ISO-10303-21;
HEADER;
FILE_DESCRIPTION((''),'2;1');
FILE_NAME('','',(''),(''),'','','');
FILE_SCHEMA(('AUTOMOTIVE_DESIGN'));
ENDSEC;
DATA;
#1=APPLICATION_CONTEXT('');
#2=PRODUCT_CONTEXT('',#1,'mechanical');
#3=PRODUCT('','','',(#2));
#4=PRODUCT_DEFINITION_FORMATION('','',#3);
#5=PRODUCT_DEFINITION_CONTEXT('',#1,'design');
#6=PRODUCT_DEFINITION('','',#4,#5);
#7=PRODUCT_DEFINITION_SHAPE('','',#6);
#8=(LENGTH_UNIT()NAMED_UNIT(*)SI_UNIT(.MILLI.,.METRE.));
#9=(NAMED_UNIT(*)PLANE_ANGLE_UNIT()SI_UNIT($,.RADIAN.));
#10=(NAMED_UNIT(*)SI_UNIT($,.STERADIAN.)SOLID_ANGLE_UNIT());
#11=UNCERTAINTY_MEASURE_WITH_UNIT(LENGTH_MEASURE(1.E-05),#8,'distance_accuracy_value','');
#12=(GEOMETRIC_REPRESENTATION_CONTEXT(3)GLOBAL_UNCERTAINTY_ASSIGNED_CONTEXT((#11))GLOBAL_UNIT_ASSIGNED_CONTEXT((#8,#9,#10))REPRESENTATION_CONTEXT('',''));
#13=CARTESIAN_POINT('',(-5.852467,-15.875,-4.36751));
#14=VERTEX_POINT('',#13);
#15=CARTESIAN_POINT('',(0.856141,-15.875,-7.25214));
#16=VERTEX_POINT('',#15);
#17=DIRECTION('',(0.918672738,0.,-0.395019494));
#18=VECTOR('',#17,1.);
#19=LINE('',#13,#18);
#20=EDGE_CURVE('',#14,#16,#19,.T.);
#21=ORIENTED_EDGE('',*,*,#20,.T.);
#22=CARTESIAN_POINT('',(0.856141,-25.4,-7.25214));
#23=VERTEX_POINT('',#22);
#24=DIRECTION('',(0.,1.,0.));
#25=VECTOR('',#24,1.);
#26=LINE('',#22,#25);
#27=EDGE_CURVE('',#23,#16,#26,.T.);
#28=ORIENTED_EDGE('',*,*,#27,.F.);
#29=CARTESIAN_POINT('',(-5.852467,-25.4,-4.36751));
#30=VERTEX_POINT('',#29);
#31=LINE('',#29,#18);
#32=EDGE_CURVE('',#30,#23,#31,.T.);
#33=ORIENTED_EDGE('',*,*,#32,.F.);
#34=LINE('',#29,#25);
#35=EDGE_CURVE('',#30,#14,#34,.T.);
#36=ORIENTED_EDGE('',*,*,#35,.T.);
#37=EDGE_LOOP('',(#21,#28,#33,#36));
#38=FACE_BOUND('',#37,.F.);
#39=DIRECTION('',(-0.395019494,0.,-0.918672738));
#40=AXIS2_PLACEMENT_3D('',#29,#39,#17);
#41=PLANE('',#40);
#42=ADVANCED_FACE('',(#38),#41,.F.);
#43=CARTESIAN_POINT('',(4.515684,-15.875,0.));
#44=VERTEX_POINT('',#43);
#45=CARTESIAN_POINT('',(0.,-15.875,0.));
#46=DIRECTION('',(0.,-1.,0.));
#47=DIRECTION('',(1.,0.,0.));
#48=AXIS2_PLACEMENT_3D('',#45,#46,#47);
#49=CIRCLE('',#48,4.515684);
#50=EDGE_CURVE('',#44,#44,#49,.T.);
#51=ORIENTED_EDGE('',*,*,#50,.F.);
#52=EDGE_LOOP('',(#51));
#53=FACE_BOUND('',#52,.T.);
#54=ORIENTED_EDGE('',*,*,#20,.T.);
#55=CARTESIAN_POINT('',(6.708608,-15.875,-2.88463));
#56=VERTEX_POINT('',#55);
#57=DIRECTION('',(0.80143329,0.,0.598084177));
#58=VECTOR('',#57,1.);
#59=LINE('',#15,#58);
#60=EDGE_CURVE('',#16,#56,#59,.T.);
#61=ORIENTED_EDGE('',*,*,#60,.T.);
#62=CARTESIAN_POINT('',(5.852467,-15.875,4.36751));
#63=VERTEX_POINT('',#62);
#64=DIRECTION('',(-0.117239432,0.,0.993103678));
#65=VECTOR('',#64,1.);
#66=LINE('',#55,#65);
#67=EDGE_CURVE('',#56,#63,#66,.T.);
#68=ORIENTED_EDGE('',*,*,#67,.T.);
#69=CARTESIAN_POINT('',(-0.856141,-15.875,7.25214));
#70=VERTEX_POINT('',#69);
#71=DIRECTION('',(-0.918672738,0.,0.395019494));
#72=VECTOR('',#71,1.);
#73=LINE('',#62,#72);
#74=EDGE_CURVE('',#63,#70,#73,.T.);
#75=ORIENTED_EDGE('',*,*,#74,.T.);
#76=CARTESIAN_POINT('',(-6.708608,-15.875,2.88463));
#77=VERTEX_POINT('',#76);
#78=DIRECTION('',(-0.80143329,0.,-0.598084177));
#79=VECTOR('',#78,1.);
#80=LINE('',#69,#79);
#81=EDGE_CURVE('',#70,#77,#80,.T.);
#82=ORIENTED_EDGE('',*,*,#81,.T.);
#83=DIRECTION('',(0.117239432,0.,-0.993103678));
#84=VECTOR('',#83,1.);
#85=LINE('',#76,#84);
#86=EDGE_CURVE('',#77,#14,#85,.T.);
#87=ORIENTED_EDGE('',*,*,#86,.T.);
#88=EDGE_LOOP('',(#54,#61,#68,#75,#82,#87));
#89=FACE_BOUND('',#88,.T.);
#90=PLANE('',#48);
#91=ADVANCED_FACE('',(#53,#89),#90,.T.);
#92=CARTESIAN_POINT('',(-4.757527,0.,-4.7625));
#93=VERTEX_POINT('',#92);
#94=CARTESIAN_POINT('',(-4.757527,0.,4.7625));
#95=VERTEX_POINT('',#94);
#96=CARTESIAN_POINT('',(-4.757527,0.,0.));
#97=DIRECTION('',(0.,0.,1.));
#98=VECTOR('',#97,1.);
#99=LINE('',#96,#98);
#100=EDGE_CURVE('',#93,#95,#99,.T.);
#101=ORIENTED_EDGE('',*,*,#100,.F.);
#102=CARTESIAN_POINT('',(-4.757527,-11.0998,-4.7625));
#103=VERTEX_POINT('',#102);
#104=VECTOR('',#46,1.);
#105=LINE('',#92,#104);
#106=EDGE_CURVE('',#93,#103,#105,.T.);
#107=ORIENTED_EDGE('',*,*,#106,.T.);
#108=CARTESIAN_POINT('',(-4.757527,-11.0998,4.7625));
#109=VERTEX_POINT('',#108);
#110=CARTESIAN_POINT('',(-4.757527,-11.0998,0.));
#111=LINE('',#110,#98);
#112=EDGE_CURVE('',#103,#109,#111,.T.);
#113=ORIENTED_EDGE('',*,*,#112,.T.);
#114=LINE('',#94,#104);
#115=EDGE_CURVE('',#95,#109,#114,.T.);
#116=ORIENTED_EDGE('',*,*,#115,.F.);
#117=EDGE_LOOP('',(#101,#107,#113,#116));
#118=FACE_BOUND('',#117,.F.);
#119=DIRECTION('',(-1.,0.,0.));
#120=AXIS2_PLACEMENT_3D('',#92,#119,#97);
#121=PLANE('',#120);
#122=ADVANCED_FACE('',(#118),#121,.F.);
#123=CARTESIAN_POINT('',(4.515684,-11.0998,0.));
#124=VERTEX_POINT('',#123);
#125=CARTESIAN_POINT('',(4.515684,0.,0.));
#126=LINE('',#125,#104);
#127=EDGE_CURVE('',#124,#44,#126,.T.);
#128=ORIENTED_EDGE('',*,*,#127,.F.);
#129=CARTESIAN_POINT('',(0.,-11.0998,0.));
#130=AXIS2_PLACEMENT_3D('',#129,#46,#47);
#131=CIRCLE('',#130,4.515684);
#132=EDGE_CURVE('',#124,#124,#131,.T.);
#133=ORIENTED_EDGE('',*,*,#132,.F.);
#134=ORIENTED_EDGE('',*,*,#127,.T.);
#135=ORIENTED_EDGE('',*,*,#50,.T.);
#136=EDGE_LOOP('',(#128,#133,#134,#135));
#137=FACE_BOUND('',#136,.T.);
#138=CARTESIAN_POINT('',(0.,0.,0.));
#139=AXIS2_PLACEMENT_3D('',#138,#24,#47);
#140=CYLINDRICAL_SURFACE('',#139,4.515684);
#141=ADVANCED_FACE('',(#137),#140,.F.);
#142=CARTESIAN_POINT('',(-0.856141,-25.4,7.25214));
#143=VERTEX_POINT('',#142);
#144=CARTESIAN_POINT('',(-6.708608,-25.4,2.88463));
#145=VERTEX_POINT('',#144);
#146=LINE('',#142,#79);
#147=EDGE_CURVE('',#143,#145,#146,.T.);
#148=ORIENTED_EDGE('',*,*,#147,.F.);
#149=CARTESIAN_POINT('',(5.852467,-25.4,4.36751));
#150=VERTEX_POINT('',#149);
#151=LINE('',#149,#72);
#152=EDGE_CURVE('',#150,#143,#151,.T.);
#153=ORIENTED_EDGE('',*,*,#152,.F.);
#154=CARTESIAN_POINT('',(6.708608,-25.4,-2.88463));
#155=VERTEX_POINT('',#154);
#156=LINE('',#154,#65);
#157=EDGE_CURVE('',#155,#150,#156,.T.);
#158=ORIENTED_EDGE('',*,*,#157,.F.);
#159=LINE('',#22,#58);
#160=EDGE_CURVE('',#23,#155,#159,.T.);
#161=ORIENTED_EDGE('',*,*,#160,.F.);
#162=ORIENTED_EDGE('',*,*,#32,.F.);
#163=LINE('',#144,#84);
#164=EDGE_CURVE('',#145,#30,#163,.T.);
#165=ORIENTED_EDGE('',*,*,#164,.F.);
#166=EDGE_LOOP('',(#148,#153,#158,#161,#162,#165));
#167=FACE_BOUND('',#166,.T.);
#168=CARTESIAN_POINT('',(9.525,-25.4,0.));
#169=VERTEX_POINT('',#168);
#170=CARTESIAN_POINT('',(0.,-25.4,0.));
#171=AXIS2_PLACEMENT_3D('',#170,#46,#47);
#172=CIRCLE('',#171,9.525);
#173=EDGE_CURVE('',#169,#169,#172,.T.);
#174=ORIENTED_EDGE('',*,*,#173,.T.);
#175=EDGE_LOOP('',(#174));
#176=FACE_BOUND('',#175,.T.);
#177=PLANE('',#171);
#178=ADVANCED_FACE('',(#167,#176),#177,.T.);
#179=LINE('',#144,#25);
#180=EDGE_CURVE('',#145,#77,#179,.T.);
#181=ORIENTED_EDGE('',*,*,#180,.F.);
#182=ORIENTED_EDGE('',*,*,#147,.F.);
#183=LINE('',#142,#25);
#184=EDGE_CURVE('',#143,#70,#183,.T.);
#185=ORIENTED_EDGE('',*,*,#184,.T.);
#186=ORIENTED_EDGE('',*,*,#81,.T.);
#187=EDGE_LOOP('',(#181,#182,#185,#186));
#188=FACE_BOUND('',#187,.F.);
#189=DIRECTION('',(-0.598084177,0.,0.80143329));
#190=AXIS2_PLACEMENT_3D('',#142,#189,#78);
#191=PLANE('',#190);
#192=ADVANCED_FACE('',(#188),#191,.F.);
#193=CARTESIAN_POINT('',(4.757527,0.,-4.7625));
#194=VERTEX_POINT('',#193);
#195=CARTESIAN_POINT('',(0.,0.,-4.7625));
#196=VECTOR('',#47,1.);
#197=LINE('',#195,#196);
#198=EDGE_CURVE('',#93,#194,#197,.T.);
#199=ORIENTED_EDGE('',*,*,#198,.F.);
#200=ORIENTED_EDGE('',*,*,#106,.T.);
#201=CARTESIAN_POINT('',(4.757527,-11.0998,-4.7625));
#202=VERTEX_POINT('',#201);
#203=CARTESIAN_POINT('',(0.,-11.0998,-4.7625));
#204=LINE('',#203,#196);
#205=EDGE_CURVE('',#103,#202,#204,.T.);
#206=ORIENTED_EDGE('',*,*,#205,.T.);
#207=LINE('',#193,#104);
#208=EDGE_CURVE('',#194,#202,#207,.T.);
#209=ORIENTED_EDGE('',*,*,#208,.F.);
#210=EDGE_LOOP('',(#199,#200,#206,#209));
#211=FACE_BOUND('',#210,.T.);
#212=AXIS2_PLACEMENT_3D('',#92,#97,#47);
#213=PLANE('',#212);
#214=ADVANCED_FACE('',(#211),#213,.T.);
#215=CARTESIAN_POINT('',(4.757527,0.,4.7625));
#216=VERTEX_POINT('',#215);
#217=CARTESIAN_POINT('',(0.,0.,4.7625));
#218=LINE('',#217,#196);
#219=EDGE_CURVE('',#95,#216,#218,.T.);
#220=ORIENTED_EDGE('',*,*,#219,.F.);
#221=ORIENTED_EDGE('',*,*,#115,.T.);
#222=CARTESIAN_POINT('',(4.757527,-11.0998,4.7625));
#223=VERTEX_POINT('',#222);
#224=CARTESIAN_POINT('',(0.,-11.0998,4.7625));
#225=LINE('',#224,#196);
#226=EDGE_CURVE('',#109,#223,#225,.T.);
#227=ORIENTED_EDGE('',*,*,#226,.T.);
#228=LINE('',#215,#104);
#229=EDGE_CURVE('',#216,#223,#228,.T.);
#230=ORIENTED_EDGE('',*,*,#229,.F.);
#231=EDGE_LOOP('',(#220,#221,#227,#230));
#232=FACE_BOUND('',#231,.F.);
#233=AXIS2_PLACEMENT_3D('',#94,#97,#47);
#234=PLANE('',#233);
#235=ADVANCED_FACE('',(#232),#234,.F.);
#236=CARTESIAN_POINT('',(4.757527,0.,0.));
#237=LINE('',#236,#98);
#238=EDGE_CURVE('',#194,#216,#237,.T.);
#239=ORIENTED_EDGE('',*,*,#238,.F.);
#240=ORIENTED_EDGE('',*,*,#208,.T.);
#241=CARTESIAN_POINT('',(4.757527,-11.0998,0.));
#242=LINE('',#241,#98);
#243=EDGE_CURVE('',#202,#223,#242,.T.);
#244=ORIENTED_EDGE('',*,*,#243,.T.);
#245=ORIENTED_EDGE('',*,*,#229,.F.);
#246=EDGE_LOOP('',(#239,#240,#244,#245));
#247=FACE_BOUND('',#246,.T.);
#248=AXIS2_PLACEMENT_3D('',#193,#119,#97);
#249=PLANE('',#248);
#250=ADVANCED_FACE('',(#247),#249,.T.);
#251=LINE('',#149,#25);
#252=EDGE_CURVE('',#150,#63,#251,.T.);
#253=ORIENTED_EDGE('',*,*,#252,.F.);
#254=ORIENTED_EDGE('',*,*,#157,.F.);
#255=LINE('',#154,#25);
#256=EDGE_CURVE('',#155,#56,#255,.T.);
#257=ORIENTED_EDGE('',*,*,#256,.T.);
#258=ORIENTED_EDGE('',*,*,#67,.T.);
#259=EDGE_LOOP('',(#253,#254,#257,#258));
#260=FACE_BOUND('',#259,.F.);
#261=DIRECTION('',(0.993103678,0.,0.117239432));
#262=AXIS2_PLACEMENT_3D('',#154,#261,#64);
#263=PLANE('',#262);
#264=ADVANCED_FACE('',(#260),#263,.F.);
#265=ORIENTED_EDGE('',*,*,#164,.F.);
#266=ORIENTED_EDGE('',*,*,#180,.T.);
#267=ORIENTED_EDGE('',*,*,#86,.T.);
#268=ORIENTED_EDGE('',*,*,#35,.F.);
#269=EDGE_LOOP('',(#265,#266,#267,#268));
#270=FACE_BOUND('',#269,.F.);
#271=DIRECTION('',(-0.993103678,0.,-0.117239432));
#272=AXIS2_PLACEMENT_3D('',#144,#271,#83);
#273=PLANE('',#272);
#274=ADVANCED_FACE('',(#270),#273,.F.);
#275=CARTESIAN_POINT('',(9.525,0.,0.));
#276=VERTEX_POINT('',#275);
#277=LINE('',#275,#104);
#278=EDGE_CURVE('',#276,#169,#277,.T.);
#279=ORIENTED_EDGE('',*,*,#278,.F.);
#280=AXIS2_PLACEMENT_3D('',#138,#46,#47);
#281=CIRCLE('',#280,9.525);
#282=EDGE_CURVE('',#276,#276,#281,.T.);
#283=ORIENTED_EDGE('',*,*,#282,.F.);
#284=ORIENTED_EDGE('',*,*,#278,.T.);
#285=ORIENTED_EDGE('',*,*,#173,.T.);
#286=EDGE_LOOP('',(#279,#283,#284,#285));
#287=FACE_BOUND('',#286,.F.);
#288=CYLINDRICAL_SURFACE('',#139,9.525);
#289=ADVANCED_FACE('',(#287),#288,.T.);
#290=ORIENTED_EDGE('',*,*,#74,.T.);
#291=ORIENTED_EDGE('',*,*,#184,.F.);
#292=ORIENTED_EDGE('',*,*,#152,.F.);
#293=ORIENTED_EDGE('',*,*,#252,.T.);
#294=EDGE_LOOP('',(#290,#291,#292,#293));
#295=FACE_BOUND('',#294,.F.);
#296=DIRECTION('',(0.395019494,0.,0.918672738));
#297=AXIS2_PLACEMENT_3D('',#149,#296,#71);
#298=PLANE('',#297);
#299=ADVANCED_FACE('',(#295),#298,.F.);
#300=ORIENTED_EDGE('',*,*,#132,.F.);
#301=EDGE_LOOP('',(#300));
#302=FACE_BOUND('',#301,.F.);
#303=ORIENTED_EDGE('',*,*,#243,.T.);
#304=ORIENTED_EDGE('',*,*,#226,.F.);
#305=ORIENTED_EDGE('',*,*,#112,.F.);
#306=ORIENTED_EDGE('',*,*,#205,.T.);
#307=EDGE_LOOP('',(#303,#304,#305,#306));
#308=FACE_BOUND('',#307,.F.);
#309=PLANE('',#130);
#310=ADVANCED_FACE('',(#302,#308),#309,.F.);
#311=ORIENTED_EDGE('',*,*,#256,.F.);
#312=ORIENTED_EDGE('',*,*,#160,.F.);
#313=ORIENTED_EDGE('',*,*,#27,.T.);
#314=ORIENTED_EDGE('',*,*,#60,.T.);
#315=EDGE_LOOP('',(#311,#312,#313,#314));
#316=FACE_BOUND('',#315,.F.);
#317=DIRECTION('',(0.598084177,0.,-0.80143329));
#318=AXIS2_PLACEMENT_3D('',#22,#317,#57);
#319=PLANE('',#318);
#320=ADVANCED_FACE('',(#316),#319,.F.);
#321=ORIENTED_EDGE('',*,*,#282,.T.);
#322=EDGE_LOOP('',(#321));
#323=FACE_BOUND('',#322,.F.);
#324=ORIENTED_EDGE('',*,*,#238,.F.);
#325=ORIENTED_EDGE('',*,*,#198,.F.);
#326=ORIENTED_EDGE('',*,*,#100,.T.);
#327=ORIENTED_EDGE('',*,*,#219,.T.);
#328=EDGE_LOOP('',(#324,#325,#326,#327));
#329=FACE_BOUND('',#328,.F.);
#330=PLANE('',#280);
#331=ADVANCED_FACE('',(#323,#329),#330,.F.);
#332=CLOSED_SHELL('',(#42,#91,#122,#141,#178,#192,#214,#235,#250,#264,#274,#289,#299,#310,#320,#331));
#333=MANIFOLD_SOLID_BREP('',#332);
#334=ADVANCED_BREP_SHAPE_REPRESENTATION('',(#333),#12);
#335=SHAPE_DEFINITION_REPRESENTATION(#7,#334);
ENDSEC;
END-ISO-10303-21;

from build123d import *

# Parameters (mm, degrees)
F0_R     = 9.525
F1_DEPTH = 25.4
F2_R     = 4.515684
F3_DEPTH = 25.401
F2_W     = 9.515054
F2_H     = 9.525
F4_DEPTH = 11.0998
F5_R     = 4.515684
F6_DEPTH = 9.525


with BuildPart() as f1:
    # F0 (on Front) → F1 (new body)
    with BuildSketch(Plane.XZ):
        Circle(F0_R)
    extrude(amount=F1_DEPTH)

    # F2 (on Front) → F3 (cut, through all)
    with BuildSketch(Plane.XZ):
        Circle(F2_R)
    extrude(amount=F3_DEPTH, mode=Mode.SUBTRACT)

    # F2 (on Front) → F4 (cut)
    with BuildSketch(Plane.XZ):
        Rectangle(F2_W, F2_H)
        Circle(F2_R, mode=Mode.SUBTRACT)
    extrude(amount=F4_DEPTH, mode=Mode.SUBTRACT)

    # F5 (on face) → F6 (cut)
    with BuildSketch(Plane.XZ.offset(25.4)):
        Polygon((-0.856141, 7.25214), (-6.708608, 2.88463), (-5.852467, -4.36751), (0.856141, -7.25214), (6.708608, -2.88463), (5.852467, 4.36751), align=None)
        Circle(F5_R, mode=Mode.SUBTRACT)
    extrude(amount=-F6_DEPTH, mode=Mode.SUBTRACT)


solid = f1.part
